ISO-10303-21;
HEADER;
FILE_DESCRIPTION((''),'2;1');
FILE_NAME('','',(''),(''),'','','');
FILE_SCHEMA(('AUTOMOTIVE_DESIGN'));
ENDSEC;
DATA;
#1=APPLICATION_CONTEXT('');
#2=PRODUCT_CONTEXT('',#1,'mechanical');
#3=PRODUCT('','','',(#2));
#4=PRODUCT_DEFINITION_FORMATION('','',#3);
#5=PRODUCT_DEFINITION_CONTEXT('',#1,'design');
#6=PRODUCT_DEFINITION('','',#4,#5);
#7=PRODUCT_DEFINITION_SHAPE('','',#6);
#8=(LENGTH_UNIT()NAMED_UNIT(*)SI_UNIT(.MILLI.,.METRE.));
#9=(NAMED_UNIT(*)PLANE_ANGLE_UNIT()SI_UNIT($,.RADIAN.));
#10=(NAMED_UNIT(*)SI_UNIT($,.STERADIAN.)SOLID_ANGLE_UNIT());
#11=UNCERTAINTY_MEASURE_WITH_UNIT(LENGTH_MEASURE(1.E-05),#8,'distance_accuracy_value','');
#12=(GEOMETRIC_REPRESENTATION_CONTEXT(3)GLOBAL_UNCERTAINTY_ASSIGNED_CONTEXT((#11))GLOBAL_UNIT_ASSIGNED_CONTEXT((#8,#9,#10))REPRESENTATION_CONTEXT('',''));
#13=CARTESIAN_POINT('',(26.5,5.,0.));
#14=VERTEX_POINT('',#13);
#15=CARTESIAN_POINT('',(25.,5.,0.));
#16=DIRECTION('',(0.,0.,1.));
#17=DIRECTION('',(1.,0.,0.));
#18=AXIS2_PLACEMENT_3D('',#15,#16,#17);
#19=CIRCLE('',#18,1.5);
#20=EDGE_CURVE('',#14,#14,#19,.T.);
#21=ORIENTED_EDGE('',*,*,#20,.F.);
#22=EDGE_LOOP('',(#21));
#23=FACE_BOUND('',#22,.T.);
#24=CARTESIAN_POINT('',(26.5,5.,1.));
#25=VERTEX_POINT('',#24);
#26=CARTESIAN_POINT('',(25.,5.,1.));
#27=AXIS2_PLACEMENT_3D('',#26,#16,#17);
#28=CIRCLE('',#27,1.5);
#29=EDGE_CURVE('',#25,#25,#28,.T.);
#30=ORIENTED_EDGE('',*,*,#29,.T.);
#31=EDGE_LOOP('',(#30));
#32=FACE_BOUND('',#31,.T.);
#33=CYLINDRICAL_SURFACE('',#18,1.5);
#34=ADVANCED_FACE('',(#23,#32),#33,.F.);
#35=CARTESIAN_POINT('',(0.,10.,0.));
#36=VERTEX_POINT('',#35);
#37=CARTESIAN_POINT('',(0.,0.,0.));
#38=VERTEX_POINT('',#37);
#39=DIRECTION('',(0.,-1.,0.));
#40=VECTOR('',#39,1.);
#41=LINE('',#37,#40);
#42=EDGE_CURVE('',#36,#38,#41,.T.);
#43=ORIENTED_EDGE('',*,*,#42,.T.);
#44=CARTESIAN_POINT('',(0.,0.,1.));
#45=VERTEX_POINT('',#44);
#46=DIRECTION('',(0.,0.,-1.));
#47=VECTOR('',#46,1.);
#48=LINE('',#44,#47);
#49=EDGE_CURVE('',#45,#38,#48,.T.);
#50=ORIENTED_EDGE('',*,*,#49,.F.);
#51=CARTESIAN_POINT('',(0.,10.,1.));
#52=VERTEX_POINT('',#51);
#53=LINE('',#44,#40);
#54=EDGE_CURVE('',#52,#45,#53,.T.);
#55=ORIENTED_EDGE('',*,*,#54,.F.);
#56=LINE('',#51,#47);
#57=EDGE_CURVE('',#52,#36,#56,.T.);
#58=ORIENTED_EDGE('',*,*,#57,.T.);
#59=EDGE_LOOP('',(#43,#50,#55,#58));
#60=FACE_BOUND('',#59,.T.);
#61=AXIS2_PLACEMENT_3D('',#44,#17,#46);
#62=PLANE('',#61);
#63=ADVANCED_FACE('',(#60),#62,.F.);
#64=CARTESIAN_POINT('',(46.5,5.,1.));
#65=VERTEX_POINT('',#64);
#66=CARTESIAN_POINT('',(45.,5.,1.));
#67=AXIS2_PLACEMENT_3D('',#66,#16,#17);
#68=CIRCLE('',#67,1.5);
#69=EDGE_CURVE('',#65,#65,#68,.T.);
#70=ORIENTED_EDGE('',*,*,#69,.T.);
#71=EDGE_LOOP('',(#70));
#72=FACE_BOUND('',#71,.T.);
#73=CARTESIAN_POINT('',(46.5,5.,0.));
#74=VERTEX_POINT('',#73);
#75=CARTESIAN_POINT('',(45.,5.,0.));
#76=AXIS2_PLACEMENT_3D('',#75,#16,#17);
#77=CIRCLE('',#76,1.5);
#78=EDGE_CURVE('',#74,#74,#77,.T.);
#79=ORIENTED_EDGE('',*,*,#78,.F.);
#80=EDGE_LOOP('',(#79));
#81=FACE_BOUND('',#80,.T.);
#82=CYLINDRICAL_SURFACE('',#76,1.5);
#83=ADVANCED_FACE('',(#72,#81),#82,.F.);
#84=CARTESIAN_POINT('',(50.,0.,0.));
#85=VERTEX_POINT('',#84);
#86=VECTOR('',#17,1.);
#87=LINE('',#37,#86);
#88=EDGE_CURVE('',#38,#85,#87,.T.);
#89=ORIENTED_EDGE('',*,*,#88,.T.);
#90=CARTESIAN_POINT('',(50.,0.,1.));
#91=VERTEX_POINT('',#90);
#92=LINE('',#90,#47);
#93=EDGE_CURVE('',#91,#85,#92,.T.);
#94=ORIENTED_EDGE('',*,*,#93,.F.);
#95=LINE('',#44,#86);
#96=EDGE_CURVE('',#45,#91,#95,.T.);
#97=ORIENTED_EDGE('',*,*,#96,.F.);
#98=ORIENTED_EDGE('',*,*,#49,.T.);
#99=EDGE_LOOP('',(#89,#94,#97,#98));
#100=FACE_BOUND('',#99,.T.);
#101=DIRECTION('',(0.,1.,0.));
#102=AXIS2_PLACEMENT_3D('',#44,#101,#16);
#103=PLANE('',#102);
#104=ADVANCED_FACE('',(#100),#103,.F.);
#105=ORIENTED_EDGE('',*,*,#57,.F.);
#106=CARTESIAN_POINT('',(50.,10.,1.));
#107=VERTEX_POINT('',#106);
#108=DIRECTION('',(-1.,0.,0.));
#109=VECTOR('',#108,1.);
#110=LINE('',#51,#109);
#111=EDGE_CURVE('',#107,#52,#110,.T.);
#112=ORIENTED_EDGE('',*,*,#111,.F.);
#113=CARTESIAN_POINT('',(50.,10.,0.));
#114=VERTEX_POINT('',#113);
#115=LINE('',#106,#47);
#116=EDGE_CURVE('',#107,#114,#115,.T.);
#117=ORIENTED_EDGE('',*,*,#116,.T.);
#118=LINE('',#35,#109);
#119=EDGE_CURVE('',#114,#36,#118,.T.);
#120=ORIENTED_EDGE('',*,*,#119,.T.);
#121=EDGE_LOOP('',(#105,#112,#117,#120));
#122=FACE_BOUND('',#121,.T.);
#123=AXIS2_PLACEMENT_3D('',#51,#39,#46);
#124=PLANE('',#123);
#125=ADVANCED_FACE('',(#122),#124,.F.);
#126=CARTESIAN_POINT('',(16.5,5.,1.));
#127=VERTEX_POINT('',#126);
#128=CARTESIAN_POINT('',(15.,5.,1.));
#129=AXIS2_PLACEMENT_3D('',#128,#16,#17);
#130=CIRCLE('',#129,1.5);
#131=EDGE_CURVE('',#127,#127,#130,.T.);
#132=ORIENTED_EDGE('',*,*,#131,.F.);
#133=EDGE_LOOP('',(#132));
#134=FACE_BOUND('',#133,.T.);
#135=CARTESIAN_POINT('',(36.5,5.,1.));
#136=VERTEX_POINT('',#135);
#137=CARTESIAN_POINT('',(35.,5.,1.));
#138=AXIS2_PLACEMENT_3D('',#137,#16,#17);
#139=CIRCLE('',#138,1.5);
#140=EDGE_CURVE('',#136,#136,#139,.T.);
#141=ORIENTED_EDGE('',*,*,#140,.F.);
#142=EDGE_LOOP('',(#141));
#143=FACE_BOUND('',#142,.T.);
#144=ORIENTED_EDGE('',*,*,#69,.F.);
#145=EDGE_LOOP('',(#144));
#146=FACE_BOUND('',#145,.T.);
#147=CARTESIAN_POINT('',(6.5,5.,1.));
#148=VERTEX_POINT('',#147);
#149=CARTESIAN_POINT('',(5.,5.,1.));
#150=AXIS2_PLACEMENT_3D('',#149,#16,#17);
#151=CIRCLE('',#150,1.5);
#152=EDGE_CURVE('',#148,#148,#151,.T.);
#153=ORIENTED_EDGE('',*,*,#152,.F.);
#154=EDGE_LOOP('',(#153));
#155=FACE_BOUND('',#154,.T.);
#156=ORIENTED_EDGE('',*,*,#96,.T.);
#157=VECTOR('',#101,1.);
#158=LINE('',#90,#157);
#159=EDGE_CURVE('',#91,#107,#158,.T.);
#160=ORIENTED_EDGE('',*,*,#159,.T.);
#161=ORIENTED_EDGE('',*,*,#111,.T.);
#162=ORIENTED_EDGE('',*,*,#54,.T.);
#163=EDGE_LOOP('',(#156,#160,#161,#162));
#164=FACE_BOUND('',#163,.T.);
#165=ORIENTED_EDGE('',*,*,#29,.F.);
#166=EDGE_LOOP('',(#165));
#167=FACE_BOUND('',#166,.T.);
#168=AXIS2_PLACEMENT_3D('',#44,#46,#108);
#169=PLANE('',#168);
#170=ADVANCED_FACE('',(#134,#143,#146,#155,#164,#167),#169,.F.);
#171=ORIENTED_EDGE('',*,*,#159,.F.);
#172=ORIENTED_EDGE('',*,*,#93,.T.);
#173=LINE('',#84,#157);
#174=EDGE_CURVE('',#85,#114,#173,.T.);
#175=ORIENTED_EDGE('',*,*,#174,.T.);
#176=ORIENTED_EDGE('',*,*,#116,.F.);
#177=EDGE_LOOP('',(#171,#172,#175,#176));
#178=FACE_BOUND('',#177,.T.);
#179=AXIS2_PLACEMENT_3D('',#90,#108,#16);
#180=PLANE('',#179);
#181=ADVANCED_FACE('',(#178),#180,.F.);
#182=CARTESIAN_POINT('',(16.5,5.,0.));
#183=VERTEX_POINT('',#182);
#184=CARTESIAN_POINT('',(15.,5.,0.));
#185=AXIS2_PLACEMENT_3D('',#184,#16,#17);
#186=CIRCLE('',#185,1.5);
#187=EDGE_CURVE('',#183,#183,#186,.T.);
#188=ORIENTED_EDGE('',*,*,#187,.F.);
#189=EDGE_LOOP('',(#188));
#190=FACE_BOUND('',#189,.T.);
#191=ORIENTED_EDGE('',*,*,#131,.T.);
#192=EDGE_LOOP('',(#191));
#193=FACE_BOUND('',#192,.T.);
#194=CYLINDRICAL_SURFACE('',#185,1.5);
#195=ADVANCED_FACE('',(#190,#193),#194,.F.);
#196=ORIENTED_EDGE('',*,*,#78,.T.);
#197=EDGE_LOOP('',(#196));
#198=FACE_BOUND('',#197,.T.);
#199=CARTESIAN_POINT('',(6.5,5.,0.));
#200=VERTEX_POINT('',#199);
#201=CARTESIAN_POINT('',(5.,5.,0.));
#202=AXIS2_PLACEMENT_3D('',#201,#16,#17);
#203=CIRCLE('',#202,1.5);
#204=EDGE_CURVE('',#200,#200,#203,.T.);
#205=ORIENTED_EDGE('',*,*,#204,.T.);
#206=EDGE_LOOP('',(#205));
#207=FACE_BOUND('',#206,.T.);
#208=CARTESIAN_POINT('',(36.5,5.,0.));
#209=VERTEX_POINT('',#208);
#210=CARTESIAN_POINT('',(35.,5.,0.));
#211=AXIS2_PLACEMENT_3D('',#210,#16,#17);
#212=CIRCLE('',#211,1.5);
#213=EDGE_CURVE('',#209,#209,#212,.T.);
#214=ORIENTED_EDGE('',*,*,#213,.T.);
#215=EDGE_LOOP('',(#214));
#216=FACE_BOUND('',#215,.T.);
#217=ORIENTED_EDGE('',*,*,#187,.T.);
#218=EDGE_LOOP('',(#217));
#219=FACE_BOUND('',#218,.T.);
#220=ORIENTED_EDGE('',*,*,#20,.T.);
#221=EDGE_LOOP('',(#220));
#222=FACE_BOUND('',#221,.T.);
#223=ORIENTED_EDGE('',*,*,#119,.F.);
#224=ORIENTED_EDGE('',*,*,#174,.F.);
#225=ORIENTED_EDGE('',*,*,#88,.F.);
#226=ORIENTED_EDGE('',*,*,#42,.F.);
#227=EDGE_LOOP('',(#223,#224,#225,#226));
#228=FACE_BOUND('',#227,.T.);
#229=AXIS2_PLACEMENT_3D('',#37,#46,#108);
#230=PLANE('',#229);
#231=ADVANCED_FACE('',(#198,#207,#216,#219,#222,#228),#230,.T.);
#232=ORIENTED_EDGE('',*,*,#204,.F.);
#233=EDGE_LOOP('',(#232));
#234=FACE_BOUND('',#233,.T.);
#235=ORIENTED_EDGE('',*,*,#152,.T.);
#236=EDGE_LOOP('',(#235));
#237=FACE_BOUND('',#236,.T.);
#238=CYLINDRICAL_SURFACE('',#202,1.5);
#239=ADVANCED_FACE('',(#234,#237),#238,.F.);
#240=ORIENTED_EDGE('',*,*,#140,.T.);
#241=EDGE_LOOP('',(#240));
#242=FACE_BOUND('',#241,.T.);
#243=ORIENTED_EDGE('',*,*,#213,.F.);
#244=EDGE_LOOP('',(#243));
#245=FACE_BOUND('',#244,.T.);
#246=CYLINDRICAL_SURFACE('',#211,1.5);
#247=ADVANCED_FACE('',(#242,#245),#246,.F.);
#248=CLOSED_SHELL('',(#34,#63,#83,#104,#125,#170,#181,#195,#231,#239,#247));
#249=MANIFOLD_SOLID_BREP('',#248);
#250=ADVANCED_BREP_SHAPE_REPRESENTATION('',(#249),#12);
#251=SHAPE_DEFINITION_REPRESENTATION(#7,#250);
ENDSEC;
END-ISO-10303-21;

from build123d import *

# Parameters (mm, degrees)
ESQUISSE1_W           = 50
ESQUISSE1_H           = 10
MAIN_DEPTH            = 1
ESQUISSE2_R           = 1.5
HOLE_DEPTH            = 2
REPEATHOLERIGHT_COUNT = 3
REPEATHOLERIGHT_PITCH = 10
REPEATHOLELEFT_COUNT  = 3
REPEATHOLELEFT_PITCH  = 10


with BuildPart() as part:
    # Esquisse1 → Main (new body)
    with BuildSketch(Plane.XY):
        with Locations((25, 5)):
            Rectangle(ESQUISSE1_W, ESQUISSE1_H)
    extrude(amount=MAIN_DEPTH)

    # Esquisse2 → Hole (cut, through all)
    with BuildSketch(Plane.XY.offset(1)):
        with Locations((25, 5)):
            Circle(ESQUISSE2_R)
    hole = extrude(amount=-HOLE_DEPTH, mode=Mode.SUBTRACT)

    # RepeatHoleRight: Hole ×3
    with Locations(*[(i * REPEATHOLERIGHT_PITCH, 0, 0) for i in range(1, REPEATHOLERIGHT_COUNT)]):
        add(hole, mode=Mode.SUBTRACT)

    # RepeatHoleLeft: Hole ×3
    with Locations(*[(-i * REPEATHOLELEFT_PITCH, 0, 0) for i in range(1, REPEATHOLELEFT_COUNT)]):
        add(hole, mode=Mode.SUBTRACT)


solid = part.part
